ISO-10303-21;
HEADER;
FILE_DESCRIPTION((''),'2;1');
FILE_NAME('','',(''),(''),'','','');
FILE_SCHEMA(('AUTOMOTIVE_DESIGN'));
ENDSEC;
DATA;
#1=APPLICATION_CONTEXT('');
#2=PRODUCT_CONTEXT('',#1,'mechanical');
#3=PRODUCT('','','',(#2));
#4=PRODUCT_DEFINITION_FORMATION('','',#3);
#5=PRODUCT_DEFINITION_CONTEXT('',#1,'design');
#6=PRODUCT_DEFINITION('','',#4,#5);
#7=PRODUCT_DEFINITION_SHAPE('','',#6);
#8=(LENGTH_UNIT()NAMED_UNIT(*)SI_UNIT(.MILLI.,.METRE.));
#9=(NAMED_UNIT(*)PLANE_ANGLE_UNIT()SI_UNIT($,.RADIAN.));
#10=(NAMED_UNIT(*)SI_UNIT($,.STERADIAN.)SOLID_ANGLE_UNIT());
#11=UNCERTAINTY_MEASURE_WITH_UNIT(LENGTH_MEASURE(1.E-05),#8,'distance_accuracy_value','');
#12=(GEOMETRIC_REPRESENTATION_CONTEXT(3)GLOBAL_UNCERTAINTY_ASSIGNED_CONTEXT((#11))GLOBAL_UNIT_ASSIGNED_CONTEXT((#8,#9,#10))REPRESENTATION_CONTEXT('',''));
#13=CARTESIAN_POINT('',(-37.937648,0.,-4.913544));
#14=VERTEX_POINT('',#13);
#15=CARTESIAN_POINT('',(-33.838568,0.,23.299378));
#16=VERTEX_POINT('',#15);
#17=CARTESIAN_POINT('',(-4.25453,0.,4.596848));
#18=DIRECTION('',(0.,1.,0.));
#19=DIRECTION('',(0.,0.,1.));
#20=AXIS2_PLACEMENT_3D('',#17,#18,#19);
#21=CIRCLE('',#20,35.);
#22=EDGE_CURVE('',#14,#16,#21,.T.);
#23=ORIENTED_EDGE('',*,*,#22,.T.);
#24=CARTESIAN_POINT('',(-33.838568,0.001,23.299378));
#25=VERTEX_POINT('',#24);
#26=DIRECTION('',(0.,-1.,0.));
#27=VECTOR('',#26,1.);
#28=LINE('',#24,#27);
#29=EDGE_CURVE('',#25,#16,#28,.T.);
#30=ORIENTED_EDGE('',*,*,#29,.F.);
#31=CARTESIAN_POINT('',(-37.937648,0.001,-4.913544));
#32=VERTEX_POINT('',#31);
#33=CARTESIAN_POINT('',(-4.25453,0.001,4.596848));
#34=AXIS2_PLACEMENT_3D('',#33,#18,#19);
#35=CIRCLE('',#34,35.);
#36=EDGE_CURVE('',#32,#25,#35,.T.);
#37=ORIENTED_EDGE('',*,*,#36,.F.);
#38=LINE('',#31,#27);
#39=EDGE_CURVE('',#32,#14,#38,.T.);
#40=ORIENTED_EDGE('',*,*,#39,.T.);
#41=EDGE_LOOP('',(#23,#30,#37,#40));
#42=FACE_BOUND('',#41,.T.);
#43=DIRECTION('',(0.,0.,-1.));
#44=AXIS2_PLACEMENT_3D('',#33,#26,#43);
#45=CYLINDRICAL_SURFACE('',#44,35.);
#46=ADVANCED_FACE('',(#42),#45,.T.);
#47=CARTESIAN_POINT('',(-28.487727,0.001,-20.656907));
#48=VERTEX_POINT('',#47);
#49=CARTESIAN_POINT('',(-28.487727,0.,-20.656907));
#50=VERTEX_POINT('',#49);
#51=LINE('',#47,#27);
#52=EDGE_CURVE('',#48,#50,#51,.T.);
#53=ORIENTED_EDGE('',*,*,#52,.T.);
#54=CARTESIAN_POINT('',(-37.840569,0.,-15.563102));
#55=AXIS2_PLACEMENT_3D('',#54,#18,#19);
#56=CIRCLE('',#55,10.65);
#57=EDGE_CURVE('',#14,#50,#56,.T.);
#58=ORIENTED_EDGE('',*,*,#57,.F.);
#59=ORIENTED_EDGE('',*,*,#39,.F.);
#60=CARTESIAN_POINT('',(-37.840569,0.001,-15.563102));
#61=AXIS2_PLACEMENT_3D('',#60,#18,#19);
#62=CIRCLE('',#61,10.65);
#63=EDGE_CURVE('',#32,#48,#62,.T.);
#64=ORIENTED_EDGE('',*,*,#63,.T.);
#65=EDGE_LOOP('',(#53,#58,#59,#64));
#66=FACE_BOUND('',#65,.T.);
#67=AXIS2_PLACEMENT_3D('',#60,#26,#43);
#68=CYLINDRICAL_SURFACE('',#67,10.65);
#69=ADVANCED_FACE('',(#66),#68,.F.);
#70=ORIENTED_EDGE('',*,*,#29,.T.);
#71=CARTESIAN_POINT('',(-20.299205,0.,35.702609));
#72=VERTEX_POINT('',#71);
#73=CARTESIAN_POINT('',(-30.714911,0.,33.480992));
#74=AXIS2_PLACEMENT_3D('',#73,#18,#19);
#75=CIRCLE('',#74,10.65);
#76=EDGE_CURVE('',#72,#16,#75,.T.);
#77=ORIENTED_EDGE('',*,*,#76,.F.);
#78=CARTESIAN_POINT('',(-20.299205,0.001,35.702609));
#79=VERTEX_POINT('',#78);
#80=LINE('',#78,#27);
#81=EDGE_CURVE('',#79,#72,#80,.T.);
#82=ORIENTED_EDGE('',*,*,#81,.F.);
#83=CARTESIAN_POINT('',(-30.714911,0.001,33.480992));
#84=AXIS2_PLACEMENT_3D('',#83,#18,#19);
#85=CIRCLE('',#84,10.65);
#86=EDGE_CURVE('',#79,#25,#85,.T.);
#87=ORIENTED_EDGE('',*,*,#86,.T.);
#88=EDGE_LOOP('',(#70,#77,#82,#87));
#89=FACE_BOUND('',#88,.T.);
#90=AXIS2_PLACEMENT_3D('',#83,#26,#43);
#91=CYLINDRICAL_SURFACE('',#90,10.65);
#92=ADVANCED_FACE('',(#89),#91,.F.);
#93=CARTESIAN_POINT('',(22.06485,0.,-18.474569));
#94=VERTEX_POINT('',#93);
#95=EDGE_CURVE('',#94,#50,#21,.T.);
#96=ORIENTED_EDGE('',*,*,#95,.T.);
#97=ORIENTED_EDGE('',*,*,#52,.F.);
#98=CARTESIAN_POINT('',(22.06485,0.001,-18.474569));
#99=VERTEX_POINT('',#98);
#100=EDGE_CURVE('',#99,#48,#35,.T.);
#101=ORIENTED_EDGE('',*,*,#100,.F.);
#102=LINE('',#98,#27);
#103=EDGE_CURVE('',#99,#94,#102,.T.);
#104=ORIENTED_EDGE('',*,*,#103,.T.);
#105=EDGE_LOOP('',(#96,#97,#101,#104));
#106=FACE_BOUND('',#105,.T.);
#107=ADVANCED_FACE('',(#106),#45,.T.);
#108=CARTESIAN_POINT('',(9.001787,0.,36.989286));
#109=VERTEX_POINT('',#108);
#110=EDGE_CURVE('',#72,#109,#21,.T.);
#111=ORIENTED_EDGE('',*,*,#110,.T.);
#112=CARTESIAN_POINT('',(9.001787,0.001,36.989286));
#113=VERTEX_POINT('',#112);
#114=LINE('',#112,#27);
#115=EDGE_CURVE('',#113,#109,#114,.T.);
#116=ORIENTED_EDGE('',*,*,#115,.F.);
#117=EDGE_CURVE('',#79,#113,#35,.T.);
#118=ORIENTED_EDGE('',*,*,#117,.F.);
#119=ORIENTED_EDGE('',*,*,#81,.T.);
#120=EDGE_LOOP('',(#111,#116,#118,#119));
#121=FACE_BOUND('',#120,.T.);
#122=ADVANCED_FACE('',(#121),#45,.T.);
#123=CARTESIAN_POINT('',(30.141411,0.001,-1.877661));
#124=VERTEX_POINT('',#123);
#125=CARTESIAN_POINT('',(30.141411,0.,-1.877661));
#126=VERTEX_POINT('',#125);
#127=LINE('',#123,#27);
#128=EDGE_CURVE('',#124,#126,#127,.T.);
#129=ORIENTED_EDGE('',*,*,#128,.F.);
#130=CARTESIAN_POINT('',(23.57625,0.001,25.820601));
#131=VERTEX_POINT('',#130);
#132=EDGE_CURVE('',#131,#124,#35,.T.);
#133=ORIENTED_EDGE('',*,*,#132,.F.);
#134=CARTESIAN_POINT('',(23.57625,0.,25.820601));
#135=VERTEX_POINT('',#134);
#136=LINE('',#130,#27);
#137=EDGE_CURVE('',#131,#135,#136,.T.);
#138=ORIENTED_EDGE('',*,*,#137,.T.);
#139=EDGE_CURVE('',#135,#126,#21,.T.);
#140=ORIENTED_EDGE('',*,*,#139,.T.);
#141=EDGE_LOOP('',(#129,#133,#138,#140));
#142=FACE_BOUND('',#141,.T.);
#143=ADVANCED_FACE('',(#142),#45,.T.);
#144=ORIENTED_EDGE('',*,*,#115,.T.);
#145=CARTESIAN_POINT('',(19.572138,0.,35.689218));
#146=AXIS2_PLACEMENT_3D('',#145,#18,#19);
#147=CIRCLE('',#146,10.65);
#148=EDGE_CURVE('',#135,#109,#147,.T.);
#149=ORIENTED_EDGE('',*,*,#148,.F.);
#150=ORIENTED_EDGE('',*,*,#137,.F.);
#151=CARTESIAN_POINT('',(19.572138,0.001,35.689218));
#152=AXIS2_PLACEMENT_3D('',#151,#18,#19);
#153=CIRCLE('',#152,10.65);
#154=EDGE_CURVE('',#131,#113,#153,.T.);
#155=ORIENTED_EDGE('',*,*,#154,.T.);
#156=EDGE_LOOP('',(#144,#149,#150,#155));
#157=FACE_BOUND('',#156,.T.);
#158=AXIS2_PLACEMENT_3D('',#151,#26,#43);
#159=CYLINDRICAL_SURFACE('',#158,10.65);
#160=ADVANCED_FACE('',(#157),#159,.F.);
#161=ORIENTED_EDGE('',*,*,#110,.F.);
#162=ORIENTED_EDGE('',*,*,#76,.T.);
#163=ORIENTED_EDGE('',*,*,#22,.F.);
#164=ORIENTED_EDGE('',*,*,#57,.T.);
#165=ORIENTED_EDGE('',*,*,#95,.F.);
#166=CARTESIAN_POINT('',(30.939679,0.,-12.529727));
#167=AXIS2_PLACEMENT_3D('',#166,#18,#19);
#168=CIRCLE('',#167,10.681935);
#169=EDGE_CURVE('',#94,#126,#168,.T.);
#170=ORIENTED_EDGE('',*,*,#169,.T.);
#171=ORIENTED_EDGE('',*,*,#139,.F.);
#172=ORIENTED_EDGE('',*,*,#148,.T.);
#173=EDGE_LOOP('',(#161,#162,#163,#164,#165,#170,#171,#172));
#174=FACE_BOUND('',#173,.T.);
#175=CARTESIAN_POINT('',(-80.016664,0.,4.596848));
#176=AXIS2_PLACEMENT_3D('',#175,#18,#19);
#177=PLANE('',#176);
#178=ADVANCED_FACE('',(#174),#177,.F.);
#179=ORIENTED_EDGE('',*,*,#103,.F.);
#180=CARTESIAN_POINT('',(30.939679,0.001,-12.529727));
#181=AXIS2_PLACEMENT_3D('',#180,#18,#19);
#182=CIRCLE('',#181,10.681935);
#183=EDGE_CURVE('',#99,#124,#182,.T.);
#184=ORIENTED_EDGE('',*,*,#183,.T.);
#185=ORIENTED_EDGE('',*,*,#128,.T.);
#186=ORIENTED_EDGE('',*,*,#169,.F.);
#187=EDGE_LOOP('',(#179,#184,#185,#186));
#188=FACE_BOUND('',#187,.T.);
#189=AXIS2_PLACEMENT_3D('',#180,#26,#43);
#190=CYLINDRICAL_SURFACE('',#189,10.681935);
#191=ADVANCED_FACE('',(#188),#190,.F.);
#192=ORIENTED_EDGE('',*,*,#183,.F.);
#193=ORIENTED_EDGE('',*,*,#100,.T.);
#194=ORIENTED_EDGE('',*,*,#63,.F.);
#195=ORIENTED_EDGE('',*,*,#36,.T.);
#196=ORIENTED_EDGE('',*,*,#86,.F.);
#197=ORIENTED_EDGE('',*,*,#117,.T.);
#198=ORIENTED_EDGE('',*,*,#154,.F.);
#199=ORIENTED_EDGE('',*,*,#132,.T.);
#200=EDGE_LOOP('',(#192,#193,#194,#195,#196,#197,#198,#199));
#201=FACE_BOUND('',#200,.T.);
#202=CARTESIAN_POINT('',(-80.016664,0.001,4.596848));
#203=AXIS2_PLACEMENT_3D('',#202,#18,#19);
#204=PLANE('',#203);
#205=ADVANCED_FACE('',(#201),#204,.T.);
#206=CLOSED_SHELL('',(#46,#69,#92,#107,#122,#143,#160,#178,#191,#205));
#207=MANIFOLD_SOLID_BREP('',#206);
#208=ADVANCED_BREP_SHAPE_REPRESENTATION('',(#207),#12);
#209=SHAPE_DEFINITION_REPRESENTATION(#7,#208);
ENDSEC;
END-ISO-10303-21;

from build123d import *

# Parameters (mm, degrees)
BOSS_EXTRUDE1_DEPTH = 0.001


with BuildPart() as part:
    # Sketch1 → Boss-Extrude1 (new body)
    with BuildSketch(Plane(origin=(0, 0, 0), x_dir=(-1, 0, 0), z_dir=(0, 1, 0))):
        with BuildLine():
            ThreePointArc((37.937647791, -4.913544121), (28.70926798, -10.08205757), (28.487727315, -20.656907212))
            ThreePointArc((28.487727315, -20.656907212), (2.7449968, -30.370584607), (-22.0648502, -18.474568686))
            ThreePointArc((-22.0648502, -18.474568686), (-21.334652462, -7.855628264), (-30.141411051, -1.877661419))
            ThreePointArc((-30.141411051, -1.877661419), (-29.80188839, 12.669046316), (-23.576249564, 25.820601462))
            ThreePointArc((-23.576249564, 25.820601462), (-13.094194308, 27.235890416), (-9.001786871, 36.989286059))
            ThreePointArc((-9.001786871, 36.989286059), (5.789984426, 39.563151009), (20.299205364, 35.702608737))
            ThreePointArc((20.299205364, 35.702608737), (23.520918673, 25.628032391), (33.838568344, 23.299378169))
            ThreePointArc((33.838568344, 23.299378169), (38.890862153, 9.629189716), (37.937647791, -4.913544121))
        make_face()
    extrude(amount=BOSS_EXTRUDE1_DEPTH)


solid = part.part
